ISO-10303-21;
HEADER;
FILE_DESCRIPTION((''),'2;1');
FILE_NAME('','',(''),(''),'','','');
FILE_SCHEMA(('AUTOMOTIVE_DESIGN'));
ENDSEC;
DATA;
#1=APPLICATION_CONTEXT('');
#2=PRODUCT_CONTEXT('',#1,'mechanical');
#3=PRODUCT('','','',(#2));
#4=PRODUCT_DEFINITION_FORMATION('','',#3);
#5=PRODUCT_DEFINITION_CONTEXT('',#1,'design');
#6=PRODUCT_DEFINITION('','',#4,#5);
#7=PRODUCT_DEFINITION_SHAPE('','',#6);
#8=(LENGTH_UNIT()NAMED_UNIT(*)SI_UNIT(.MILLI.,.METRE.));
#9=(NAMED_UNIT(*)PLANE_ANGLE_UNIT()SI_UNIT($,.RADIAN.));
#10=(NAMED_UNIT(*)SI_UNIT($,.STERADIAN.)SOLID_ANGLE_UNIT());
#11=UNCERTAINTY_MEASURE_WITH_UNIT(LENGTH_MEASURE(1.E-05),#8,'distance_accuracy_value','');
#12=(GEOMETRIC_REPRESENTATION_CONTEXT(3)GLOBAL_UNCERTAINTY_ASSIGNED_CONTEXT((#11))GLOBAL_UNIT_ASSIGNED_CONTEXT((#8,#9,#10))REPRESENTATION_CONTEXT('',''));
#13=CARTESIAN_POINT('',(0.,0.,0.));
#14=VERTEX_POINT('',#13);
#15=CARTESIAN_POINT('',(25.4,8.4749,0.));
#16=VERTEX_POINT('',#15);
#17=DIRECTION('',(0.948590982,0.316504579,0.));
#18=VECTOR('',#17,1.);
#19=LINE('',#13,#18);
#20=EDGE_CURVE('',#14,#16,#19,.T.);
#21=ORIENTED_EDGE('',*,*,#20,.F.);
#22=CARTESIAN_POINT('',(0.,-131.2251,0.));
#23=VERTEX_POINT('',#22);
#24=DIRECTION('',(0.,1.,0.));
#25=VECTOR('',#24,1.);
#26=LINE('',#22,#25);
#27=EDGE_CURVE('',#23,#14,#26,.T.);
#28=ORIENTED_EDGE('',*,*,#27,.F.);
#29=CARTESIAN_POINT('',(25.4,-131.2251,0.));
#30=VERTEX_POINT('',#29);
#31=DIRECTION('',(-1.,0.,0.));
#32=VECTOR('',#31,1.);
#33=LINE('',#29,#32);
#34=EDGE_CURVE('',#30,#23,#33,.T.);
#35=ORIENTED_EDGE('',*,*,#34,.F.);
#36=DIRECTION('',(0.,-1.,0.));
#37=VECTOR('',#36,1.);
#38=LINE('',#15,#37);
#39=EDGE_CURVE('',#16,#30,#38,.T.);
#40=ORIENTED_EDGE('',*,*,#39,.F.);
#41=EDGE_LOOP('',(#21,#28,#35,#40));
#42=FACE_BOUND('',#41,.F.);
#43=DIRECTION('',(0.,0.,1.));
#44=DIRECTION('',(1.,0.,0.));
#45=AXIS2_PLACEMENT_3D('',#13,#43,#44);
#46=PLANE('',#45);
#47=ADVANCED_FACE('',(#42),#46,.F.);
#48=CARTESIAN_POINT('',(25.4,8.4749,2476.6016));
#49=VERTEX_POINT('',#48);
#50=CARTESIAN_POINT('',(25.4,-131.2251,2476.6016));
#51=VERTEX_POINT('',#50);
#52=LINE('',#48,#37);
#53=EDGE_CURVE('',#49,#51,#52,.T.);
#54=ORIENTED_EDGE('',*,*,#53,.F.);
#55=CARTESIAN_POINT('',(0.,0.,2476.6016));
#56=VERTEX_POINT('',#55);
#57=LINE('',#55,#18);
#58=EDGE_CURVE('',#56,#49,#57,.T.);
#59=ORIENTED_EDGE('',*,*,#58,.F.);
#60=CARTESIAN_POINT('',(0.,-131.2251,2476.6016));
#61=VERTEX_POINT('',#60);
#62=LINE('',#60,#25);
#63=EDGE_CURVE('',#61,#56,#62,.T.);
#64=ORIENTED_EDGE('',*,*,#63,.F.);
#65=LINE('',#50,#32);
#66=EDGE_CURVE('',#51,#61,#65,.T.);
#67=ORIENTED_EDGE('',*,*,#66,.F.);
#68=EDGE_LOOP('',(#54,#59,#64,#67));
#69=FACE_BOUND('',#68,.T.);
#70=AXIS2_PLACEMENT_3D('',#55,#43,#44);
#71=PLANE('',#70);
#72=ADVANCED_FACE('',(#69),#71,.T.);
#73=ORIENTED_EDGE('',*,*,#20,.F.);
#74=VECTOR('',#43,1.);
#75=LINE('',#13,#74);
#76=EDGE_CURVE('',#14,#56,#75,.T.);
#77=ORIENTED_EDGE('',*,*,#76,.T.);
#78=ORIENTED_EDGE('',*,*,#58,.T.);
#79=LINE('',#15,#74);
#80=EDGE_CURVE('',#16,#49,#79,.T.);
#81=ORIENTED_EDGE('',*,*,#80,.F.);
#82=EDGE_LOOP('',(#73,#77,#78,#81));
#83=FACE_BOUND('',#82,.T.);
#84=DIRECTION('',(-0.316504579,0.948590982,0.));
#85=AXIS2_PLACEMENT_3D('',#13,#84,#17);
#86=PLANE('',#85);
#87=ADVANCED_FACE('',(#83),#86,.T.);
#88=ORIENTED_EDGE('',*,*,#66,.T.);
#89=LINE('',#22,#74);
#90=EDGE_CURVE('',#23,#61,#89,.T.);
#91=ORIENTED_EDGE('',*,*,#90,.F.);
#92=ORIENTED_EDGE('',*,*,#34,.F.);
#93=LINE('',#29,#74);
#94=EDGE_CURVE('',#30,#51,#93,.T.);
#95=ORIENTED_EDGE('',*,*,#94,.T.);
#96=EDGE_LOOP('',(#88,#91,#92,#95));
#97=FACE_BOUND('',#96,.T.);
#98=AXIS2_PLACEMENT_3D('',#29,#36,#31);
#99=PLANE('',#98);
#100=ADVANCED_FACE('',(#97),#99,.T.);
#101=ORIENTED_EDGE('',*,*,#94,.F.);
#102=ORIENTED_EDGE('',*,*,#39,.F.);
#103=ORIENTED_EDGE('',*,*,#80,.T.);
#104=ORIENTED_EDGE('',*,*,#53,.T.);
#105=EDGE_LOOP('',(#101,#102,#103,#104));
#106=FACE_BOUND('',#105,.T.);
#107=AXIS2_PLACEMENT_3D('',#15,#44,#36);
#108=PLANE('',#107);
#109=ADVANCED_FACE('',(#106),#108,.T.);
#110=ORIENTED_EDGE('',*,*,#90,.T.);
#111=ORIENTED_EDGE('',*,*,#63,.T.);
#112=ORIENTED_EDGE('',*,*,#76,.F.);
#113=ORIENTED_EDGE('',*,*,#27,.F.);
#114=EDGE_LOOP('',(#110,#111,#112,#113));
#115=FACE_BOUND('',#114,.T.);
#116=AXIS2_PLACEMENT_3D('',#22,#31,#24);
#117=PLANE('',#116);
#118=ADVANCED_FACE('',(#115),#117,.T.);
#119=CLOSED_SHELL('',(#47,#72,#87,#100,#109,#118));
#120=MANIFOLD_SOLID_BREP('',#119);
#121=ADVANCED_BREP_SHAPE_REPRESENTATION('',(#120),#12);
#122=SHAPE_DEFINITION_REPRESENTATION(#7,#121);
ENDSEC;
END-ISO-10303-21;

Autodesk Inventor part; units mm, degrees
ref_plane "YZ Plane" through (0, 0, 0) normal (1, 0, 0) x (0, 1, 0)
ref_plane "XZ Plane" through (0, 0, 0) normal (0, 1, 0) x (-1, 0, 0)
ref_plane "XY Plane" through (0, 0, 0) normal (0, 0, 1) x (1, 0, 0)
sketch "Sketch1" plane through (0, 0, 0) normal (0, 0, 1) x (1, 0, 0)
  line L0 (0, 0) -> (3263.9, 1089.025)
  line L1 (0, 0) -> (-88.9, 0)
  line L2 (25.4, 8.4749) -> (25.4, -131.2251)
  line L3 (25.4, -131.2251) -> (0, -131.2251)
  line L4 (0, -131.2251) -> (0, 0)
  dimension "d33" = 1089.025
  dimension "d36" = 3352.8
  dimension "d37" = 88.9
  dimension "d42" = 25.4
  dimension "d43" = 139.7
extrude "Extrusion3" add sketch "Sketch1" along normal blind 2476.6016
properties part number "Fascia_For_Back"
